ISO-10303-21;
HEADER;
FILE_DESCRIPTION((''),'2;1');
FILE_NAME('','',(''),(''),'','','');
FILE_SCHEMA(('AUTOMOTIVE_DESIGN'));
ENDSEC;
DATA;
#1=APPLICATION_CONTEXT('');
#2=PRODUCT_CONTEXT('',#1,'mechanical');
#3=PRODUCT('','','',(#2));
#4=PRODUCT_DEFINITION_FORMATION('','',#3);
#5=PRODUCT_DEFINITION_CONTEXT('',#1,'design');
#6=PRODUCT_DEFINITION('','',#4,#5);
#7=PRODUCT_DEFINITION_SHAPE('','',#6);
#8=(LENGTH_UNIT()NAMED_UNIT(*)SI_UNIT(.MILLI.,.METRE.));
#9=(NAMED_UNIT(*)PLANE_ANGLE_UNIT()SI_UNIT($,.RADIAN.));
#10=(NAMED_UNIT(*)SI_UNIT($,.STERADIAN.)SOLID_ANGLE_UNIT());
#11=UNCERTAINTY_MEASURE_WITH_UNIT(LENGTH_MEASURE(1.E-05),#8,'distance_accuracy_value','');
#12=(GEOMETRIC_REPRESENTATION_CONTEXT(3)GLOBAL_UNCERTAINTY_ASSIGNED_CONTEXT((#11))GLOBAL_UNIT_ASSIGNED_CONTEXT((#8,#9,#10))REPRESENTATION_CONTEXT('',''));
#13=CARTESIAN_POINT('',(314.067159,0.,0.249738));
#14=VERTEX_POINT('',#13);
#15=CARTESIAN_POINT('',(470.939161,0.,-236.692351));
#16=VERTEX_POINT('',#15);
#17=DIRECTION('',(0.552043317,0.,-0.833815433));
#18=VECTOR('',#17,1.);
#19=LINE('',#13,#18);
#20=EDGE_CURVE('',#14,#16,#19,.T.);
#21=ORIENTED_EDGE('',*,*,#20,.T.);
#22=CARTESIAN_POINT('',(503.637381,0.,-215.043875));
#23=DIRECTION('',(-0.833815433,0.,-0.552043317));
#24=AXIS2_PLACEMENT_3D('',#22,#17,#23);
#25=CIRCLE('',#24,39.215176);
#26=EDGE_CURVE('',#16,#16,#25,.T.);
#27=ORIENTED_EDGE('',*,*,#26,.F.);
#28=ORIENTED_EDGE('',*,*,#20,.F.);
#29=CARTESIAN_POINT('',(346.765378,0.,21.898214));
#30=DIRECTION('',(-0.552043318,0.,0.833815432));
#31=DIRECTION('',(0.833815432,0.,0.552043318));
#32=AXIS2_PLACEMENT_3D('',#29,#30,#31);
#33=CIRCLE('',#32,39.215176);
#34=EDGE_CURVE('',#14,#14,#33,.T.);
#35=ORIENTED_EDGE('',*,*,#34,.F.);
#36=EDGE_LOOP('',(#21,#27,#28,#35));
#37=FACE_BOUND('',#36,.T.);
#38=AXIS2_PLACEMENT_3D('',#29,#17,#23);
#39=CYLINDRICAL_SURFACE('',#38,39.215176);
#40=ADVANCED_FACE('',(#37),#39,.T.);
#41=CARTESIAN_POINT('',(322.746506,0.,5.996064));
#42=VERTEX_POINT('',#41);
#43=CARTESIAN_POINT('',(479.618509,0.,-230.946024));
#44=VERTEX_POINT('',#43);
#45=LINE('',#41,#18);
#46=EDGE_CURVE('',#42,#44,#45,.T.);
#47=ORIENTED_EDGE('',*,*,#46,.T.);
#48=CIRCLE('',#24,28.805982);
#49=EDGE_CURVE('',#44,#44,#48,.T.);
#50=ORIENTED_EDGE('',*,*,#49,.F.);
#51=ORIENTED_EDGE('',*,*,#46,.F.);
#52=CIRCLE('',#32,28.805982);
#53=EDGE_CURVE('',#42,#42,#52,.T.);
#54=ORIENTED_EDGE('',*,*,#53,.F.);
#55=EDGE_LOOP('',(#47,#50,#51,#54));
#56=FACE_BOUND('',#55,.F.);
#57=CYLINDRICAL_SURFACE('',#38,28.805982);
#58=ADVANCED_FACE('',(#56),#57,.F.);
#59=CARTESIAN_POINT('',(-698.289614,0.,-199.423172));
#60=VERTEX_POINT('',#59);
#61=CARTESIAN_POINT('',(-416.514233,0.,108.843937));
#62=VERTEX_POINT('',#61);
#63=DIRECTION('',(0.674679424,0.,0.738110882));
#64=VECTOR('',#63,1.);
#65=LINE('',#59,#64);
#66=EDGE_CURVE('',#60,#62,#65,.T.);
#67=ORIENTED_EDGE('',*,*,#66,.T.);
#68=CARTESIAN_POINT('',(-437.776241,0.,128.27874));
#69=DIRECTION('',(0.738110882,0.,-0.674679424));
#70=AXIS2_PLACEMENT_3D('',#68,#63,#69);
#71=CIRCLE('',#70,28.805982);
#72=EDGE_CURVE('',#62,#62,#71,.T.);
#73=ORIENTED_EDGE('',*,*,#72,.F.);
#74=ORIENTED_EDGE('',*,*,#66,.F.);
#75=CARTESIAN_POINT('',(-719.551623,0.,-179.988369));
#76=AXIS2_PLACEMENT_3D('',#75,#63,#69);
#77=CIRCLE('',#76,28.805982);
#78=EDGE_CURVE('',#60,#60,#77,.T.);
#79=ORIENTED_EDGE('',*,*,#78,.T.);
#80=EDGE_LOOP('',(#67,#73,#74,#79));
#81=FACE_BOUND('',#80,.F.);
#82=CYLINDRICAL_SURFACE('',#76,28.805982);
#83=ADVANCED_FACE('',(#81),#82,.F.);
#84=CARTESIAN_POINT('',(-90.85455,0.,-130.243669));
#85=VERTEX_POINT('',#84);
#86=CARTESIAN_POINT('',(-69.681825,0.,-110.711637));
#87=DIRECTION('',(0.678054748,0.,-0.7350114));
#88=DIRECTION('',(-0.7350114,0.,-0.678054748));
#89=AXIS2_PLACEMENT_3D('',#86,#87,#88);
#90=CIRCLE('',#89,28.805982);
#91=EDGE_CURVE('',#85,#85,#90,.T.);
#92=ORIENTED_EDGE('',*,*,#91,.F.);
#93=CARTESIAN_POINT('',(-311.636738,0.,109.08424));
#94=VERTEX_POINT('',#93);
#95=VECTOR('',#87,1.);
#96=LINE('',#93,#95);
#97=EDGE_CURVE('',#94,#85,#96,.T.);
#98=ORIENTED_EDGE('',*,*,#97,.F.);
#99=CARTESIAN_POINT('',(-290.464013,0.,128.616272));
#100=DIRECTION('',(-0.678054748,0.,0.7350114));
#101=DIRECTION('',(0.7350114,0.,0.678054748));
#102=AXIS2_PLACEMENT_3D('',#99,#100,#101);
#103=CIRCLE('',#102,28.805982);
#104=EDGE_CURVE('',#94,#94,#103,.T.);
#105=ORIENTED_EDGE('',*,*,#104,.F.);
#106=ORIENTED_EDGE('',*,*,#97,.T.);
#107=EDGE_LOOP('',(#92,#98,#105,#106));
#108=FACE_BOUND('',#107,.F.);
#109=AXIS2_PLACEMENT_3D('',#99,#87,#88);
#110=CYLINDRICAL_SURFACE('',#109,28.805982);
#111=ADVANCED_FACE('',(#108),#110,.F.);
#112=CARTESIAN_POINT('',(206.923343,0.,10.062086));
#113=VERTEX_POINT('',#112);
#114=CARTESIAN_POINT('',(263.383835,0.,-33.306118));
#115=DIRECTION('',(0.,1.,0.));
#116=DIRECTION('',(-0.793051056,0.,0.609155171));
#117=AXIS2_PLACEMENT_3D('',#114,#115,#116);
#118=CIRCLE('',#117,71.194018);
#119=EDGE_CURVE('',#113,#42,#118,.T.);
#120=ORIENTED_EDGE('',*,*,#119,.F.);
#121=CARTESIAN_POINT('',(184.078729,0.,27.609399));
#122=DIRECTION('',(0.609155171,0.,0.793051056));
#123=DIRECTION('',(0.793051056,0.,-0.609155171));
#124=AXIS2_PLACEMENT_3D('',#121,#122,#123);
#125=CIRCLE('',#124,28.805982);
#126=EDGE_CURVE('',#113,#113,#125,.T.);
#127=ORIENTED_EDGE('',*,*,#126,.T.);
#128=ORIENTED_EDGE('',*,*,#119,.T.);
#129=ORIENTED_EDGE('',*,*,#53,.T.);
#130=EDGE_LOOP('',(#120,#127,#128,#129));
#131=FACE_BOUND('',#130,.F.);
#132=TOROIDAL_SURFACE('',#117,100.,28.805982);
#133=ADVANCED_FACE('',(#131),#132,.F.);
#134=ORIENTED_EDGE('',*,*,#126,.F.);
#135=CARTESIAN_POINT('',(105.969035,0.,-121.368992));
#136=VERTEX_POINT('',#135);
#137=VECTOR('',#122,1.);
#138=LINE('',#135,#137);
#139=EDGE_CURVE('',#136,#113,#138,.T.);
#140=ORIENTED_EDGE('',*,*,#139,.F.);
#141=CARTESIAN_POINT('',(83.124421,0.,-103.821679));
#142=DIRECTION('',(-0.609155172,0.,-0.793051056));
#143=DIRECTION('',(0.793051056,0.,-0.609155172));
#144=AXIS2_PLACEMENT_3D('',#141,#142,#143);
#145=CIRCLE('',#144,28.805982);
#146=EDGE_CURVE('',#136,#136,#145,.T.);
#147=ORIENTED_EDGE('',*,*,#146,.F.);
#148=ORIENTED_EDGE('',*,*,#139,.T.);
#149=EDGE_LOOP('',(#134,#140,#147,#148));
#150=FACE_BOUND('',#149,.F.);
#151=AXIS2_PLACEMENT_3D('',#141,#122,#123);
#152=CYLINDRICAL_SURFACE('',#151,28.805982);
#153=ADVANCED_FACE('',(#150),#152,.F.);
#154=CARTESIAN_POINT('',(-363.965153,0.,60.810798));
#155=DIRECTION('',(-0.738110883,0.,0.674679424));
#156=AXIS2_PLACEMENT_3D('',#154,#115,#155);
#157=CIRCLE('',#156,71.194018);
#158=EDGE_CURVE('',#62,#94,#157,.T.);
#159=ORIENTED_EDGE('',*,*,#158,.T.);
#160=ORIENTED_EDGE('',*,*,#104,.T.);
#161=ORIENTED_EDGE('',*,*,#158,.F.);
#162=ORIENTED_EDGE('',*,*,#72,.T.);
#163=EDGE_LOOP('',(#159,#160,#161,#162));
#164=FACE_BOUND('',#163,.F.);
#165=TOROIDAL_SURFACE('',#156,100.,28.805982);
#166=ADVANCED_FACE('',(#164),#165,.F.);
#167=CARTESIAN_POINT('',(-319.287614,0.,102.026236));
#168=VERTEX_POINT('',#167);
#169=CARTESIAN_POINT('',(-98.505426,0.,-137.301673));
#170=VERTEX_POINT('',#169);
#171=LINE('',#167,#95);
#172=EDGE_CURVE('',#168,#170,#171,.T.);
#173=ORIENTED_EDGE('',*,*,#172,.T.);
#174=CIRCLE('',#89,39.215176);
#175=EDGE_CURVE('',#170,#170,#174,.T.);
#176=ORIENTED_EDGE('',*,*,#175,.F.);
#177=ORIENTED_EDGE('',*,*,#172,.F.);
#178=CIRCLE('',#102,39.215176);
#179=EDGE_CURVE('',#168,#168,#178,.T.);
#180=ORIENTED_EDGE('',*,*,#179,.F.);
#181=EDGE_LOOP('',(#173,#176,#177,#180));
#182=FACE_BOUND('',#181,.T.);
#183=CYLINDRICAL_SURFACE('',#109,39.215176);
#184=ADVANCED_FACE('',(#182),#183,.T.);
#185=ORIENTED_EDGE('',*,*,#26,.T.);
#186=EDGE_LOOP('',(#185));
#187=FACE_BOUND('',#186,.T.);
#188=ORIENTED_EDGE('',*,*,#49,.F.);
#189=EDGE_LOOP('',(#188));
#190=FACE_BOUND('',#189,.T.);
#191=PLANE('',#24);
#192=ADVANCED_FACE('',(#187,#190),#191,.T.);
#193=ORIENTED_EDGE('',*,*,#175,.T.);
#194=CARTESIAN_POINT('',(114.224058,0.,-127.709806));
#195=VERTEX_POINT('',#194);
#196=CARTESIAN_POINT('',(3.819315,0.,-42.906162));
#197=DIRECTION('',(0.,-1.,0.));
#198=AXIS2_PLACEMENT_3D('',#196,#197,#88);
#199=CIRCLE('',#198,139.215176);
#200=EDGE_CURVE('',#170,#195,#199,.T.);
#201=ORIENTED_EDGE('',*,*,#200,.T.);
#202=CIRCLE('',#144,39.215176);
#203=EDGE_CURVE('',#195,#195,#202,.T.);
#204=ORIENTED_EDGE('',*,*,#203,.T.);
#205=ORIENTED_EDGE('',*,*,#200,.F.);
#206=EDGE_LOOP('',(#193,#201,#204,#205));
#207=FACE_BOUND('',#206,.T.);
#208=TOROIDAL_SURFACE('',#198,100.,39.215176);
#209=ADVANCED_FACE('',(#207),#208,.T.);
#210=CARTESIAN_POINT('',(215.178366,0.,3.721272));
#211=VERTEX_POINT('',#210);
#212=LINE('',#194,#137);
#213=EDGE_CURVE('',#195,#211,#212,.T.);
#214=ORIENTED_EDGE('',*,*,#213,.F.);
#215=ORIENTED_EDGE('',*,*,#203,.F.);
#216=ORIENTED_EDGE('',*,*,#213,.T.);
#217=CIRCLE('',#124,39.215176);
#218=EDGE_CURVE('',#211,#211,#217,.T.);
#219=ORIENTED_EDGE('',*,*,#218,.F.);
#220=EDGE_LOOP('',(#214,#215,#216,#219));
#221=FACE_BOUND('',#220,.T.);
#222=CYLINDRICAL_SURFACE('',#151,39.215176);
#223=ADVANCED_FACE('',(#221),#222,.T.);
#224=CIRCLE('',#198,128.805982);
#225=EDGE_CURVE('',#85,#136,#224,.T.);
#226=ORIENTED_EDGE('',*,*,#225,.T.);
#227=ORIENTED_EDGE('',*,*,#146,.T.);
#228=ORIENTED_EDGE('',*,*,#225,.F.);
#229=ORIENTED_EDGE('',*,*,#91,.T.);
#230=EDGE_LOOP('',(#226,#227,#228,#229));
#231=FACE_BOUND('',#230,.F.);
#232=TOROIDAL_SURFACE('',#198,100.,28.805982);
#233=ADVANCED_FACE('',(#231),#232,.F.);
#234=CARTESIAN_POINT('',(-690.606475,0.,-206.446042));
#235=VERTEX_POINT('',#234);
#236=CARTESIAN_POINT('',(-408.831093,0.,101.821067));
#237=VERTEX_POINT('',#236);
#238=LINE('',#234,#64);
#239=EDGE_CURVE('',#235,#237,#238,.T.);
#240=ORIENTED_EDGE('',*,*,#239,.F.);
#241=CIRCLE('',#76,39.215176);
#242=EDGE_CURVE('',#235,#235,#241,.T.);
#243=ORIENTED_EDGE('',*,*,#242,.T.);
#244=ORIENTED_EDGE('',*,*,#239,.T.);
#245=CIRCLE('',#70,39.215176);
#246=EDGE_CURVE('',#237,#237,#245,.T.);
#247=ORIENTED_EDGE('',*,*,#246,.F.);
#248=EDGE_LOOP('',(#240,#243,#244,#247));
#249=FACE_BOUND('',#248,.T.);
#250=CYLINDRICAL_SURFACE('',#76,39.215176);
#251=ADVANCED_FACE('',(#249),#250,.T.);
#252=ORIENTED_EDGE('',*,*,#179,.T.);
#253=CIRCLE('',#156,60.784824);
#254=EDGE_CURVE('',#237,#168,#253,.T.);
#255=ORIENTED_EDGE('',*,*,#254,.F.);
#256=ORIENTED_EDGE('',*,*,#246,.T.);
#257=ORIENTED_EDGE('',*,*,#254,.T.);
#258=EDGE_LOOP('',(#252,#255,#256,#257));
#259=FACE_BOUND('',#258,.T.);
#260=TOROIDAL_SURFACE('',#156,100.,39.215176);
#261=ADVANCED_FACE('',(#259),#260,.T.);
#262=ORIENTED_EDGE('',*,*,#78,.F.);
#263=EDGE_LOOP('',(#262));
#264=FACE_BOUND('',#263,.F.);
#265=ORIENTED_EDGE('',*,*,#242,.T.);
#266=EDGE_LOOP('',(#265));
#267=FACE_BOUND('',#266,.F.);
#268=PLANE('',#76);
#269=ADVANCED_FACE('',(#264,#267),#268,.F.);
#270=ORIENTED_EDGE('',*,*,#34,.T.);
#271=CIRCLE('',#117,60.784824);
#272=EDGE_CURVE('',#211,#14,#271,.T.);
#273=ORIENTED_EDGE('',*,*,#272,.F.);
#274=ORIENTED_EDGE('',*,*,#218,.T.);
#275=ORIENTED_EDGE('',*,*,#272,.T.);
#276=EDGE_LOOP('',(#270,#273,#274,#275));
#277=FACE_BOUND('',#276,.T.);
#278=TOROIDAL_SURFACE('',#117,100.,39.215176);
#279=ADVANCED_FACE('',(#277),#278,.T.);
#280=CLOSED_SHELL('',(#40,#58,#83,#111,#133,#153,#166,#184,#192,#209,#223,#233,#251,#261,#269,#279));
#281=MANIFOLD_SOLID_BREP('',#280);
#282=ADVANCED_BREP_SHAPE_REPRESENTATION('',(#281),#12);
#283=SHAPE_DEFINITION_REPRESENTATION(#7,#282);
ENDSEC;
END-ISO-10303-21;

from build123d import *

# Parameters (mm, degrees)
F2_R   = 39.2151762462
F2_R_2 = 28.8059815355


with BuildPart() as f3:
    # F3: sweep along a path in F0
    with BuildLine(Plane.XZ) as f3_path:
        Line((-719.5516228676, -179.9883693457), (-437.7762410733, 128.2787399033))
        ThreePointArc((-437.7762410733, 128.2787399033), (-364.1942794588, 160.8105350061), (-290.4640128191, 128.6162723358))
        Line((-290.4640128191, 128.6162723358), (-69.6818247618, -110.7116367356))
        ThreePointArc((-69.6818247618, -110.7116367356), (8.3236890435, -142.8046634751), (83.1244208225, -103.8216790503))
        Line((83.1244208225, -103.8216790503), (184.0787292704, 27.6093990153))
        ThreePointArc((184.0787292704, 27.6093990153), (266.8922170539, 66.6323191878), (346.7653781049, 21.8982136153))
        Line((346.7653781049, 21.8982136153), (503.6373805534, -215.0438748717))
    # F2 (on line) → F3 (sweep)
    with BuildSketch(Plane(origin=(-417.1664648881, 0, -456.3872804919), x_dir=(0.7381108825, 0, -0.674679424), z_dir=(0.674679424, 0, 0.7381108825))):
        with Locations((-409.6744339706, 0)):
            Circle(F2_R)
        with Locations((-409.6744339706, 0)):
            Circle(F2_R_2, mode=Mode.SUBTRACT)
    sweep(path=f3_path.line)


solid = f3.part
